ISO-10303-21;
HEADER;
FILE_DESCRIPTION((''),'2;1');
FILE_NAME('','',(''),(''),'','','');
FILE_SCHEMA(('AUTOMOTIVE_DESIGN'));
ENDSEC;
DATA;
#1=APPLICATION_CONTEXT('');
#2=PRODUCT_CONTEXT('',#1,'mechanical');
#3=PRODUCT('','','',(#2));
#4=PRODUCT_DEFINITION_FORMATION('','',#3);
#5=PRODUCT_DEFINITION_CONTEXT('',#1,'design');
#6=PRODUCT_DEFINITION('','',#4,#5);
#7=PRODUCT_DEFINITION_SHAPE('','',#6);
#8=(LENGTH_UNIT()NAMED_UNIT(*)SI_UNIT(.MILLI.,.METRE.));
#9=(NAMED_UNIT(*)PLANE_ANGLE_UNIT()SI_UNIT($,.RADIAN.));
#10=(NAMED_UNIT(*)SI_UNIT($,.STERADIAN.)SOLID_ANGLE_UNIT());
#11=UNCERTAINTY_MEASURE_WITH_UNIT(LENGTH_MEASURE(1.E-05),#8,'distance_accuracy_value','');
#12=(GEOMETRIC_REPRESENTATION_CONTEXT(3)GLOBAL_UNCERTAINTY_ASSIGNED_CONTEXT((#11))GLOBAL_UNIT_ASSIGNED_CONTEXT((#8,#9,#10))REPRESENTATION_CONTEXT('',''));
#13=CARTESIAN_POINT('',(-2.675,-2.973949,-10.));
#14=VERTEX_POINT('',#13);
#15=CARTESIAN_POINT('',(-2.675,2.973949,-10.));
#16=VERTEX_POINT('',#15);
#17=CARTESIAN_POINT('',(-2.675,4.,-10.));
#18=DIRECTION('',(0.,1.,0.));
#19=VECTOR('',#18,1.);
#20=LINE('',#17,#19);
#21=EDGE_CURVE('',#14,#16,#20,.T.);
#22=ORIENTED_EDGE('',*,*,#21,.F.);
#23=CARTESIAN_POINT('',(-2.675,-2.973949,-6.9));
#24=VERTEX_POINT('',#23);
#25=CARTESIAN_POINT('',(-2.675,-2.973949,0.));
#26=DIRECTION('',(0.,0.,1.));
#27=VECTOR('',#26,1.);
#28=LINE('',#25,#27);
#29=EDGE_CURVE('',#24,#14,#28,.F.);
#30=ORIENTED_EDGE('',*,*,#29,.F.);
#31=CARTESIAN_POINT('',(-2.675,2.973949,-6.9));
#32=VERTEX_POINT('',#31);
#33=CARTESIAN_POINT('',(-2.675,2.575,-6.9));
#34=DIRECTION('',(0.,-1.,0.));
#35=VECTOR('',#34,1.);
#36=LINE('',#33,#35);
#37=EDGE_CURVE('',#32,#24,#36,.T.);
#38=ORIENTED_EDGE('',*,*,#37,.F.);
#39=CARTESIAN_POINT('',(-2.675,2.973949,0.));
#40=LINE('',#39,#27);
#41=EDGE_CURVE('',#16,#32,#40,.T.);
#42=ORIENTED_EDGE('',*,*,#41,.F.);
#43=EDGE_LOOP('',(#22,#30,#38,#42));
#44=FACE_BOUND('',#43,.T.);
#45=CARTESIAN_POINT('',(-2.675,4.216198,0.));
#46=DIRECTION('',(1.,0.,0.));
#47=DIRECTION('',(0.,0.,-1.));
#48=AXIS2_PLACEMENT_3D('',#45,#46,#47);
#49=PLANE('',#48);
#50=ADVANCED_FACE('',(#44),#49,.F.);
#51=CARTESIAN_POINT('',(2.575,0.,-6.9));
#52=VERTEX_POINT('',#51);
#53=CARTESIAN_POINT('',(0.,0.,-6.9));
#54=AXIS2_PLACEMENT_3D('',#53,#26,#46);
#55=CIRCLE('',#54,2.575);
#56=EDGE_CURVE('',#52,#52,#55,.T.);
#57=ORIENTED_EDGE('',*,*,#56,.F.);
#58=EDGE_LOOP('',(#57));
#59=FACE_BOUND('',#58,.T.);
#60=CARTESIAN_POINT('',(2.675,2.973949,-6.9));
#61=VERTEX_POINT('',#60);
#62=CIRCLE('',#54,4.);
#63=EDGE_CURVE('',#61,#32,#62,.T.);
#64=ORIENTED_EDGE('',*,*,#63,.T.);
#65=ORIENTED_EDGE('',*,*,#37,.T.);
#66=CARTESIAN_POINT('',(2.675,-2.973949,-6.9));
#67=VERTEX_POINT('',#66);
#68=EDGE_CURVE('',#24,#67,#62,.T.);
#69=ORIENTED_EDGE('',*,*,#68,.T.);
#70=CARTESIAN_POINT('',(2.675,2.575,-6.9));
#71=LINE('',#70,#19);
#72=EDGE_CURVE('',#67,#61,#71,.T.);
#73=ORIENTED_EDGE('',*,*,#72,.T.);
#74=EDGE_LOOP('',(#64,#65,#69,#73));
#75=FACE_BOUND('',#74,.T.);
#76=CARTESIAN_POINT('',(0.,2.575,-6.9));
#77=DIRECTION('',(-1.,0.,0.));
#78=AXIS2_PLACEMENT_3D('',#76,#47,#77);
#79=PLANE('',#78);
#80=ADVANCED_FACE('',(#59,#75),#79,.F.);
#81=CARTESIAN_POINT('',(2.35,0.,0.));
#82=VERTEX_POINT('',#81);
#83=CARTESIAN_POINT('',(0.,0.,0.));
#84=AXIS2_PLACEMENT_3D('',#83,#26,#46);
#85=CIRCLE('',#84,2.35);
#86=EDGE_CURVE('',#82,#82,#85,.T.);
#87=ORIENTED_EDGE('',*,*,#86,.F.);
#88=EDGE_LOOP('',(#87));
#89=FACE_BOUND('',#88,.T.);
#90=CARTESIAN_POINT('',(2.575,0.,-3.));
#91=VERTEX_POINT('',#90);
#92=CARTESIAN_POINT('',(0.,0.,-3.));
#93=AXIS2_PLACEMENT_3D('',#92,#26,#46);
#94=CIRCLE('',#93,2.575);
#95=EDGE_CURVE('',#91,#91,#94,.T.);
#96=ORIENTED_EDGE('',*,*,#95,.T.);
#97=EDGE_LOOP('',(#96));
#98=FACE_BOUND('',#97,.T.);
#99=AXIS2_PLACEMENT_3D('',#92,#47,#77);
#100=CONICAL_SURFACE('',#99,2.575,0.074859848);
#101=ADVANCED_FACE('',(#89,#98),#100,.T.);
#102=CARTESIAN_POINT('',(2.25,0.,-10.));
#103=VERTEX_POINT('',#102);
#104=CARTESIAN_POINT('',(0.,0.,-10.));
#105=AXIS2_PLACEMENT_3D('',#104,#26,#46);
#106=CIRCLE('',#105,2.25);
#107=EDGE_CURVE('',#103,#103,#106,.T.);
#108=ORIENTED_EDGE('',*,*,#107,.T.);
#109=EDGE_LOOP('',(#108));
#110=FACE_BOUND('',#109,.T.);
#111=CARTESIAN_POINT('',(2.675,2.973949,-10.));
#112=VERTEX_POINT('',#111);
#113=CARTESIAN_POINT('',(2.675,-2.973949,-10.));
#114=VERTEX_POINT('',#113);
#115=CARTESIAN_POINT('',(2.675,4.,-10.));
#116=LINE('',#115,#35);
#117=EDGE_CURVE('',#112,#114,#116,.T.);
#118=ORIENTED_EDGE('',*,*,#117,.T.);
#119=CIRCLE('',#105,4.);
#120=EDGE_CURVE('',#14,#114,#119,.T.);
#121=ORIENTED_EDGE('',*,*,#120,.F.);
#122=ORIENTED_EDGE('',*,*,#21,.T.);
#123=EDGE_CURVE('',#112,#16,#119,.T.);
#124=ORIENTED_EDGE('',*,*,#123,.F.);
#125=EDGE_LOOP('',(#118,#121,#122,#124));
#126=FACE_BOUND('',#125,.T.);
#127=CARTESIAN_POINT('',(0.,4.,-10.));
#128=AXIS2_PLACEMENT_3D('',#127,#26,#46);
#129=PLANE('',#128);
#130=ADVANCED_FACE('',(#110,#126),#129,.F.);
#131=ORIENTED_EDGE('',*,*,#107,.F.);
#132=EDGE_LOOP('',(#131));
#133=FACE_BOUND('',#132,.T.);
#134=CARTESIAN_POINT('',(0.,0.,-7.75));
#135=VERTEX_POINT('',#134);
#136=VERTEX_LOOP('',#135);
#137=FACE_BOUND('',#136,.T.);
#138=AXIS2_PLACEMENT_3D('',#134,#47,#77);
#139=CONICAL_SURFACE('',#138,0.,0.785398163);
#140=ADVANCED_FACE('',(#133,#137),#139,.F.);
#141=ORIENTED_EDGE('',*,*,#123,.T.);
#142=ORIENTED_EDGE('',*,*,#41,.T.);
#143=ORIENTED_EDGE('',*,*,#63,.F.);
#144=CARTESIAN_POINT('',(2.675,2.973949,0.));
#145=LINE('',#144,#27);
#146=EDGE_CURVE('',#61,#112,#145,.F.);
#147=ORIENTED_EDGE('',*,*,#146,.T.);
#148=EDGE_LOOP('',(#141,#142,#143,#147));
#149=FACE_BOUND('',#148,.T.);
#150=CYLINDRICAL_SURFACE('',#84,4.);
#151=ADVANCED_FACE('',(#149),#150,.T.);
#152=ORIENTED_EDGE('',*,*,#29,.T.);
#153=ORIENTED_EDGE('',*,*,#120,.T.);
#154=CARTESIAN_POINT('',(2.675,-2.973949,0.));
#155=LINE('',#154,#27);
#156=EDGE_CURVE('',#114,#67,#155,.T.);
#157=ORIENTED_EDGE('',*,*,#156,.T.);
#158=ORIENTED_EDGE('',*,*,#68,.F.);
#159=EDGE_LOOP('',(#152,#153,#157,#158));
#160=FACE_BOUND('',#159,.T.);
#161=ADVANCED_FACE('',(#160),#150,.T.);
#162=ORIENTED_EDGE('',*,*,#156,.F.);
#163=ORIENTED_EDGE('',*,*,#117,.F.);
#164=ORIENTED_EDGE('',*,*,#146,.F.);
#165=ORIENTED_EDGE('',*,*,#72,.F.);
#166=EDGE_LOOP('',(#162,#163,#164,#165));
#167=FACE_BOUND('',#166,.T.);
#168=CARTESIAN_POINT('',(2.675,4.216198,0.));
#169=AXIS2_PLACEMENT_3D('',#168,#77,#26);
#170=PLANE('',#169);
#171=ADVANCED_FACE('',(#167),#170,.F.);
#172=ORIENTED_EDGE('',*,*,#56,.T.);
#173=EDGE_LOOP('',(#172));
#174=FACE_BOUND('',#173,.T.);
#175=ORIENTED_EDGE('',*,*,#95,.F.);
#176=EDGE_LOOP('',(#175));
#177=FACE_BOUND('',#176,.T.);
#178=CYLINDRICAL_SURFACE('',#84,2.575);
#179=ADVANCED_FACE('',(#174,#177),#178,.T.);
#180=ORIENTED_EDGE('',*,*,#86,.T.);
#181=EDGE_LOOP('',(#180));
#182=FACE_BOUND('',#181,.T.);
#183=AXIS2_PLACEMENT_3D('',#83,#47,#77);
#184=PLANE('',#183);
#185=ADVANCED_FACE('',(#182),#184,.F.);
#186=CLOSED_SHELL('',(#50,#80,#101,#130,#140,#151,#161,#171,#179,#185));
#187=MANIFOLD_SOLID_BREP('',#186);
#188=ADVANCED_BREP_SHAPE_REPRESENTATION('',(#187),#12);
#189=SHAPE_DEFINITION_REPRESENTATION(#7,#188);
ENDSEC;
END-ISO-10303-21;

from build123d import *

# Parameters (mm, degrees)
SKETCH2_W          = 2.584728437
SKETCH2_H          = 8.43239663
CUT_EXTRUDE1_DEPTH = 12.489125293


with BuildPart() as part:
    # Sketch1 → Revolve1 (revolve)
    with BuildSketch(Plane(origin=(0, 0, 0), x_dir=(0, 0, -1), z_dir=(1, 0, 0)), mode=Mode.PRIVATE) as revolve1_sk:
        Polygon((0, 0), (0, 2.35), (3, 2.575), (6.9, 2.575), (6.9, 4), (10, 4), (10, 2.25), (7.75, 0), align=None)
    revolve(revolve1_sk.sketch.rotate(Axis((0, 0, 0), (0, 0, -1)), 90), axis=Axis((0, 0, 0), (0, 0, -1)))

    # Sketch2 → Cut-Extrude1 (cut, through all)
    with BuildSketch(Plane(origin=(0, 0, -10), x_dir=(-1, 0, 0), z_dir=(0, 0, -1))):
        with Locations((3.967364219, 0)):
            Rectangle(SKETCH2_W, SKETCH2_H)
        with Locations((-3.967364219, 0)):
            Rectangle(SKETCH2_W, SKETCH2_H)
    extrude(amount=-CUT_EXTRUDE1_DEPTH, mode=Mode.SUBTRACT)


solid = part.part
